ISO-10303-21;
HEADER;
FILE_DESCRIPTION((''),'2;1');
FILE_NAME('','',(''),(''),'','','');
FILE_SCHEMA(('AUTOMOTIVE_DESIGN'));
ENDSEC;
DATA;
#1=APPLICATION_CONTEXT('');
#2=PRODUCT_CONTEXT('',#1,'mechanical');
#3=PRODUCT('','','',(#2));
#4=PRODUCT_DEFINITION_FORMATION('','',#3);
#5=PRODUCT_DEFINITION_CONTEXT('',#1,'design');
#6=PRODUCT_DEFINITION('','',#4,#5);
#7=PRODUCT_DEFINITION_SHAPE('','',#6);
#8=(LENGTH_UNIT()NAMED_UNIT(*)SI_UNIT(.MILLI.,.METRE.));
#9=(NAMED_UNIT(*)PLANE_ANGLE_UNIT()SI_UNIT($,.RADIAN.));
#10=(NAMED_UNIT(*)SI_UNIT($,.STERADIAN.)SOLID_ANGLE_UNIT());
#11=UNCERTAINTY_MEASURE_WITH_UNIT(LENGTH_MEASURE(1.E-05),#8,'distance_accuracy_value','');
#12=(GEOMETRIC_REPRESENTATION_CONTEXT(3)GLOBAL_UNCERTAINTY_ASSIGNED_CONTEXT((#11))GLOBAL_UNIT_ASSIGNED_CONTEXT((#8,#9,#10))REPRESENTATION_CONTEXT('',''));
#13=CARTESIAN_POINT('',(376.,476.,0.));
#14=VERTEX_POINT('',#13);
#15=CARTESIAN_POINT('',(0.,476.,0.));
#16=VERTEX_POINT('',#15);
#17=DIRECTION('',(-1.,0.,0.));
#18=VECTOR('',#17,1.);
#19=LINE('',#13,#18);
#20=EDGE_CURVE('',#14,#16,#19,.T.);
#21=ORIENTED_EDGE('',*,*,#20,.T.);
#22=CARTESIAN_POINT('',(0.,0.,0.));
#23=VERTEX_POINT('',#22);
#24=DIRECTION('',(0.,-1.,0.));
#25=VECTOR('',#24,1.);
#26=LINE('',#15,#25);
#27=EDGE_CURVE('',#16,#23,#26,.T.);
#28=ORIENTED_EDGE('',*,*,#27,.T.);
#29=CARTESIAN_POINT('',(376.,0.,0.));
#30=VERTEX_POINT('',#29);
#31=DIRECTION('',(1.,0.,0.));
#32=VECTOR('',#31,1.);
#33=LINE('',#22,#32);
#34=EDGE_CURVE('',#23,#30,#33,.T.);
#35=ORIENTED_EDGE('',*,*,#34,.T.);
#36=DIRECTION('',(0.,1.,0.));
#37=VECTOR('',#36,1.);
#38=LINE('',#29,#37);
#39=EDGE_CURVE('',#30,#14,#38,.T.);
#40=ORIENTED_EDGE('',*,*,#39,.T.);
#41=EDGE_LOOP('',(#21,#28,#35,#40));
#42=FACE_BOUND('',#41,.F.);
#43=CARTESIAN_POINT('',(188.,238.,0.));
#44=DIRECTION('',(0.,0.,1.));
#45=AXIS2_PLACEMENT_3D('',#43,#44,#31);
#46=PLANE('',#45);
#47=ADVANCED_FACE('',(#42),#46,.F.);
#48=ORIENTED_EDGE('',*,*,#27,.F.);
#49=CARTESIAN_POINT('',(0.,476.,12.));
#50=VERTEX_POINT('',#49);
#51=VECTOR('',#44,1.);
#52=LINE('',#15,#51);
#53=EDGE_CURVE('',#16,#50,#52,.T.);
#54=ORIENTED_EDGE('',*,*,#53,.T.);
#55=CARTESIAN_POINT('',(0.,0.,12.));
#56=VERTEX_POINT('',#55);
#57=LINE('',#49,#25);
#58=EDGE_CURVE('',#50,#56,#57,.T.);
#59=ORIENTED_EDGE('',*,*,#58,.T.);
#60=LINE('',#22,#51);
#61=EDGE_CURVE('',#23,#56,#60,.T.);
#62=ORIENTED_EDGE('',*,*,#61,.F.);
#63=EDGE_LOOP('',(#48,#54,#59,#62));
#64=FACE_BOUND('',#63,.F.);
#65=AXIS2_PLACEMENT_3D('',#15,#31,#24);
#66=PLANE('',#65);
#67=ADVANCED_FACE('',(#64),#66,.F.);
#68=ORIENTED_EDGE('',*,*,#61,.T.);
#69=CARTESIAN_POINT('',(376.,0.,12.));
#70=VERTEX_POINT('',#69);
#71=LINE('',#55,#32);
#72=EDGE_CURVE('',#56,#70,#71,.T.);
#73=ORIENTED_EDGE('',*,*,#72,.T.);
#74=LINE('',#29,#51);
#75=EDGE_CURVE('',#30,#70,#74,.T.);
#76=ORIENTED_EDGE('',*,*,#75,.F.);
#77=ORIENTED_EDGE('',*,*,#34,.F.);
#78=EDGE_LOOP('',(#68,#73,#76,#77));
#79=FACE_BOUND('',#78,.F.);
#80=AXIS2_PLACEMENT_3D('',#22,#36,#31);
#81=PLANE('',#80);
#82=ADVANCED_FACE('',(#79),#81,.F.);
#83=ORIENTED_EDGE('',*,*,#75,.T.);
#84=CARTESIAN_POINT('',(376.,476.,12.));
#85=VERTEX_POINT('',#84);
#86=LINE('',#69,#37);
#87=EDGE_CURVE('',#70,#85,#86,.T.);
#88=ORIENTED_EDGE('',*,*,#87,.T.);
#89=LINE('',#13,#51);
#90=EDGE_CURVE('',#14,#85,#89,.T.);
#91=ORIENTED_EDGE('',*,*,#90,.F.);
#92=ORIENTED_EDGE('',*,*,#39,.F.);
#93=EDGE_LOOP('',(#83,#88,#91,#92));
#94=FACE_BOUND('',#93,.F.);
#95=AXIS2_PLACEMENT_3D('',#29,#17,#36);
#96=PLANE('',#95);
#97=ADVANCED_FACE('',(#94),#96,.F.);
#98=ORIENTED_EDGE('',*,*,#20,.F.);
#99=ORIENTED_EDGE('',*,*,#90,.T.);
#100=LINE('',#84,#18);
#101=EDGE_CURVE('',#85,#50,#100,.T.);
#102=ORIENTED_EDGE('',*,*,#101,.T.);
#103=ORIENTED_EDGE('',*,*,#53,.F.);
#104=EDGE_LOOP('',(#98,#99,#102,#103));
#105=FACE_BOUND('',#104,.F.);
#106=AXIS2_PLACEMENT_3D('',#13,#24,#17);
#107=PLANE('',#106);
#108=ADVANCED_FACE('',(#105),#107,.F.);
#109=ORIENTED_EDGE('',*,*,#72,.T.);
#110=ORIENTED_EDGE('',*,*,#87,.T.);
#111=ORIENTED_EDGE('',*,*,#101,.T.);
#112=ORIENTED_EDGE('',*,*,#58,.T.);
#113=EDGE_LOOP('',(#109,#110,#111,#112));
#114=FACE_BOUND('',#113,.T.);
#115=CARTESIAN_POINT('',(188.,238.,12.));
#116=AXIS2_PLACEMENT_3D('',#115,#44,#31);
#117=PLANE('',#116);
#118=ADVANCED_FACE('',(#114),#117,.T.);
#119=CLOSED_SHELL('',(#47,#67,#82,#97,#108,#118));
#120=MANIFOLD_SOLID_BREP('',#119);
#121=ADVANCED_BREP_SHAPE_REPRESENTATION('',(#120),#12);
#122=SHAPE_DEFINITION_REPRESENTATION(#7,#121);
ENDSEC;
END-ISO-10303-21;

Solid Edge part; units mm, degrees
sketch "Sketch1" plane through (0, 0, 0) normal (0, 0, 1) x (1, 0, 0)
  line L0 (0, 0) -> (376, 0)
  line L1 (376, 0) -> (376, 476)
  line L2 (376, 476) -> (0, 476)
  line L3 (0, 476) -> (0, 0)
extrude "Protrusion1" add sketch "Sketch1" along normal blind 12
